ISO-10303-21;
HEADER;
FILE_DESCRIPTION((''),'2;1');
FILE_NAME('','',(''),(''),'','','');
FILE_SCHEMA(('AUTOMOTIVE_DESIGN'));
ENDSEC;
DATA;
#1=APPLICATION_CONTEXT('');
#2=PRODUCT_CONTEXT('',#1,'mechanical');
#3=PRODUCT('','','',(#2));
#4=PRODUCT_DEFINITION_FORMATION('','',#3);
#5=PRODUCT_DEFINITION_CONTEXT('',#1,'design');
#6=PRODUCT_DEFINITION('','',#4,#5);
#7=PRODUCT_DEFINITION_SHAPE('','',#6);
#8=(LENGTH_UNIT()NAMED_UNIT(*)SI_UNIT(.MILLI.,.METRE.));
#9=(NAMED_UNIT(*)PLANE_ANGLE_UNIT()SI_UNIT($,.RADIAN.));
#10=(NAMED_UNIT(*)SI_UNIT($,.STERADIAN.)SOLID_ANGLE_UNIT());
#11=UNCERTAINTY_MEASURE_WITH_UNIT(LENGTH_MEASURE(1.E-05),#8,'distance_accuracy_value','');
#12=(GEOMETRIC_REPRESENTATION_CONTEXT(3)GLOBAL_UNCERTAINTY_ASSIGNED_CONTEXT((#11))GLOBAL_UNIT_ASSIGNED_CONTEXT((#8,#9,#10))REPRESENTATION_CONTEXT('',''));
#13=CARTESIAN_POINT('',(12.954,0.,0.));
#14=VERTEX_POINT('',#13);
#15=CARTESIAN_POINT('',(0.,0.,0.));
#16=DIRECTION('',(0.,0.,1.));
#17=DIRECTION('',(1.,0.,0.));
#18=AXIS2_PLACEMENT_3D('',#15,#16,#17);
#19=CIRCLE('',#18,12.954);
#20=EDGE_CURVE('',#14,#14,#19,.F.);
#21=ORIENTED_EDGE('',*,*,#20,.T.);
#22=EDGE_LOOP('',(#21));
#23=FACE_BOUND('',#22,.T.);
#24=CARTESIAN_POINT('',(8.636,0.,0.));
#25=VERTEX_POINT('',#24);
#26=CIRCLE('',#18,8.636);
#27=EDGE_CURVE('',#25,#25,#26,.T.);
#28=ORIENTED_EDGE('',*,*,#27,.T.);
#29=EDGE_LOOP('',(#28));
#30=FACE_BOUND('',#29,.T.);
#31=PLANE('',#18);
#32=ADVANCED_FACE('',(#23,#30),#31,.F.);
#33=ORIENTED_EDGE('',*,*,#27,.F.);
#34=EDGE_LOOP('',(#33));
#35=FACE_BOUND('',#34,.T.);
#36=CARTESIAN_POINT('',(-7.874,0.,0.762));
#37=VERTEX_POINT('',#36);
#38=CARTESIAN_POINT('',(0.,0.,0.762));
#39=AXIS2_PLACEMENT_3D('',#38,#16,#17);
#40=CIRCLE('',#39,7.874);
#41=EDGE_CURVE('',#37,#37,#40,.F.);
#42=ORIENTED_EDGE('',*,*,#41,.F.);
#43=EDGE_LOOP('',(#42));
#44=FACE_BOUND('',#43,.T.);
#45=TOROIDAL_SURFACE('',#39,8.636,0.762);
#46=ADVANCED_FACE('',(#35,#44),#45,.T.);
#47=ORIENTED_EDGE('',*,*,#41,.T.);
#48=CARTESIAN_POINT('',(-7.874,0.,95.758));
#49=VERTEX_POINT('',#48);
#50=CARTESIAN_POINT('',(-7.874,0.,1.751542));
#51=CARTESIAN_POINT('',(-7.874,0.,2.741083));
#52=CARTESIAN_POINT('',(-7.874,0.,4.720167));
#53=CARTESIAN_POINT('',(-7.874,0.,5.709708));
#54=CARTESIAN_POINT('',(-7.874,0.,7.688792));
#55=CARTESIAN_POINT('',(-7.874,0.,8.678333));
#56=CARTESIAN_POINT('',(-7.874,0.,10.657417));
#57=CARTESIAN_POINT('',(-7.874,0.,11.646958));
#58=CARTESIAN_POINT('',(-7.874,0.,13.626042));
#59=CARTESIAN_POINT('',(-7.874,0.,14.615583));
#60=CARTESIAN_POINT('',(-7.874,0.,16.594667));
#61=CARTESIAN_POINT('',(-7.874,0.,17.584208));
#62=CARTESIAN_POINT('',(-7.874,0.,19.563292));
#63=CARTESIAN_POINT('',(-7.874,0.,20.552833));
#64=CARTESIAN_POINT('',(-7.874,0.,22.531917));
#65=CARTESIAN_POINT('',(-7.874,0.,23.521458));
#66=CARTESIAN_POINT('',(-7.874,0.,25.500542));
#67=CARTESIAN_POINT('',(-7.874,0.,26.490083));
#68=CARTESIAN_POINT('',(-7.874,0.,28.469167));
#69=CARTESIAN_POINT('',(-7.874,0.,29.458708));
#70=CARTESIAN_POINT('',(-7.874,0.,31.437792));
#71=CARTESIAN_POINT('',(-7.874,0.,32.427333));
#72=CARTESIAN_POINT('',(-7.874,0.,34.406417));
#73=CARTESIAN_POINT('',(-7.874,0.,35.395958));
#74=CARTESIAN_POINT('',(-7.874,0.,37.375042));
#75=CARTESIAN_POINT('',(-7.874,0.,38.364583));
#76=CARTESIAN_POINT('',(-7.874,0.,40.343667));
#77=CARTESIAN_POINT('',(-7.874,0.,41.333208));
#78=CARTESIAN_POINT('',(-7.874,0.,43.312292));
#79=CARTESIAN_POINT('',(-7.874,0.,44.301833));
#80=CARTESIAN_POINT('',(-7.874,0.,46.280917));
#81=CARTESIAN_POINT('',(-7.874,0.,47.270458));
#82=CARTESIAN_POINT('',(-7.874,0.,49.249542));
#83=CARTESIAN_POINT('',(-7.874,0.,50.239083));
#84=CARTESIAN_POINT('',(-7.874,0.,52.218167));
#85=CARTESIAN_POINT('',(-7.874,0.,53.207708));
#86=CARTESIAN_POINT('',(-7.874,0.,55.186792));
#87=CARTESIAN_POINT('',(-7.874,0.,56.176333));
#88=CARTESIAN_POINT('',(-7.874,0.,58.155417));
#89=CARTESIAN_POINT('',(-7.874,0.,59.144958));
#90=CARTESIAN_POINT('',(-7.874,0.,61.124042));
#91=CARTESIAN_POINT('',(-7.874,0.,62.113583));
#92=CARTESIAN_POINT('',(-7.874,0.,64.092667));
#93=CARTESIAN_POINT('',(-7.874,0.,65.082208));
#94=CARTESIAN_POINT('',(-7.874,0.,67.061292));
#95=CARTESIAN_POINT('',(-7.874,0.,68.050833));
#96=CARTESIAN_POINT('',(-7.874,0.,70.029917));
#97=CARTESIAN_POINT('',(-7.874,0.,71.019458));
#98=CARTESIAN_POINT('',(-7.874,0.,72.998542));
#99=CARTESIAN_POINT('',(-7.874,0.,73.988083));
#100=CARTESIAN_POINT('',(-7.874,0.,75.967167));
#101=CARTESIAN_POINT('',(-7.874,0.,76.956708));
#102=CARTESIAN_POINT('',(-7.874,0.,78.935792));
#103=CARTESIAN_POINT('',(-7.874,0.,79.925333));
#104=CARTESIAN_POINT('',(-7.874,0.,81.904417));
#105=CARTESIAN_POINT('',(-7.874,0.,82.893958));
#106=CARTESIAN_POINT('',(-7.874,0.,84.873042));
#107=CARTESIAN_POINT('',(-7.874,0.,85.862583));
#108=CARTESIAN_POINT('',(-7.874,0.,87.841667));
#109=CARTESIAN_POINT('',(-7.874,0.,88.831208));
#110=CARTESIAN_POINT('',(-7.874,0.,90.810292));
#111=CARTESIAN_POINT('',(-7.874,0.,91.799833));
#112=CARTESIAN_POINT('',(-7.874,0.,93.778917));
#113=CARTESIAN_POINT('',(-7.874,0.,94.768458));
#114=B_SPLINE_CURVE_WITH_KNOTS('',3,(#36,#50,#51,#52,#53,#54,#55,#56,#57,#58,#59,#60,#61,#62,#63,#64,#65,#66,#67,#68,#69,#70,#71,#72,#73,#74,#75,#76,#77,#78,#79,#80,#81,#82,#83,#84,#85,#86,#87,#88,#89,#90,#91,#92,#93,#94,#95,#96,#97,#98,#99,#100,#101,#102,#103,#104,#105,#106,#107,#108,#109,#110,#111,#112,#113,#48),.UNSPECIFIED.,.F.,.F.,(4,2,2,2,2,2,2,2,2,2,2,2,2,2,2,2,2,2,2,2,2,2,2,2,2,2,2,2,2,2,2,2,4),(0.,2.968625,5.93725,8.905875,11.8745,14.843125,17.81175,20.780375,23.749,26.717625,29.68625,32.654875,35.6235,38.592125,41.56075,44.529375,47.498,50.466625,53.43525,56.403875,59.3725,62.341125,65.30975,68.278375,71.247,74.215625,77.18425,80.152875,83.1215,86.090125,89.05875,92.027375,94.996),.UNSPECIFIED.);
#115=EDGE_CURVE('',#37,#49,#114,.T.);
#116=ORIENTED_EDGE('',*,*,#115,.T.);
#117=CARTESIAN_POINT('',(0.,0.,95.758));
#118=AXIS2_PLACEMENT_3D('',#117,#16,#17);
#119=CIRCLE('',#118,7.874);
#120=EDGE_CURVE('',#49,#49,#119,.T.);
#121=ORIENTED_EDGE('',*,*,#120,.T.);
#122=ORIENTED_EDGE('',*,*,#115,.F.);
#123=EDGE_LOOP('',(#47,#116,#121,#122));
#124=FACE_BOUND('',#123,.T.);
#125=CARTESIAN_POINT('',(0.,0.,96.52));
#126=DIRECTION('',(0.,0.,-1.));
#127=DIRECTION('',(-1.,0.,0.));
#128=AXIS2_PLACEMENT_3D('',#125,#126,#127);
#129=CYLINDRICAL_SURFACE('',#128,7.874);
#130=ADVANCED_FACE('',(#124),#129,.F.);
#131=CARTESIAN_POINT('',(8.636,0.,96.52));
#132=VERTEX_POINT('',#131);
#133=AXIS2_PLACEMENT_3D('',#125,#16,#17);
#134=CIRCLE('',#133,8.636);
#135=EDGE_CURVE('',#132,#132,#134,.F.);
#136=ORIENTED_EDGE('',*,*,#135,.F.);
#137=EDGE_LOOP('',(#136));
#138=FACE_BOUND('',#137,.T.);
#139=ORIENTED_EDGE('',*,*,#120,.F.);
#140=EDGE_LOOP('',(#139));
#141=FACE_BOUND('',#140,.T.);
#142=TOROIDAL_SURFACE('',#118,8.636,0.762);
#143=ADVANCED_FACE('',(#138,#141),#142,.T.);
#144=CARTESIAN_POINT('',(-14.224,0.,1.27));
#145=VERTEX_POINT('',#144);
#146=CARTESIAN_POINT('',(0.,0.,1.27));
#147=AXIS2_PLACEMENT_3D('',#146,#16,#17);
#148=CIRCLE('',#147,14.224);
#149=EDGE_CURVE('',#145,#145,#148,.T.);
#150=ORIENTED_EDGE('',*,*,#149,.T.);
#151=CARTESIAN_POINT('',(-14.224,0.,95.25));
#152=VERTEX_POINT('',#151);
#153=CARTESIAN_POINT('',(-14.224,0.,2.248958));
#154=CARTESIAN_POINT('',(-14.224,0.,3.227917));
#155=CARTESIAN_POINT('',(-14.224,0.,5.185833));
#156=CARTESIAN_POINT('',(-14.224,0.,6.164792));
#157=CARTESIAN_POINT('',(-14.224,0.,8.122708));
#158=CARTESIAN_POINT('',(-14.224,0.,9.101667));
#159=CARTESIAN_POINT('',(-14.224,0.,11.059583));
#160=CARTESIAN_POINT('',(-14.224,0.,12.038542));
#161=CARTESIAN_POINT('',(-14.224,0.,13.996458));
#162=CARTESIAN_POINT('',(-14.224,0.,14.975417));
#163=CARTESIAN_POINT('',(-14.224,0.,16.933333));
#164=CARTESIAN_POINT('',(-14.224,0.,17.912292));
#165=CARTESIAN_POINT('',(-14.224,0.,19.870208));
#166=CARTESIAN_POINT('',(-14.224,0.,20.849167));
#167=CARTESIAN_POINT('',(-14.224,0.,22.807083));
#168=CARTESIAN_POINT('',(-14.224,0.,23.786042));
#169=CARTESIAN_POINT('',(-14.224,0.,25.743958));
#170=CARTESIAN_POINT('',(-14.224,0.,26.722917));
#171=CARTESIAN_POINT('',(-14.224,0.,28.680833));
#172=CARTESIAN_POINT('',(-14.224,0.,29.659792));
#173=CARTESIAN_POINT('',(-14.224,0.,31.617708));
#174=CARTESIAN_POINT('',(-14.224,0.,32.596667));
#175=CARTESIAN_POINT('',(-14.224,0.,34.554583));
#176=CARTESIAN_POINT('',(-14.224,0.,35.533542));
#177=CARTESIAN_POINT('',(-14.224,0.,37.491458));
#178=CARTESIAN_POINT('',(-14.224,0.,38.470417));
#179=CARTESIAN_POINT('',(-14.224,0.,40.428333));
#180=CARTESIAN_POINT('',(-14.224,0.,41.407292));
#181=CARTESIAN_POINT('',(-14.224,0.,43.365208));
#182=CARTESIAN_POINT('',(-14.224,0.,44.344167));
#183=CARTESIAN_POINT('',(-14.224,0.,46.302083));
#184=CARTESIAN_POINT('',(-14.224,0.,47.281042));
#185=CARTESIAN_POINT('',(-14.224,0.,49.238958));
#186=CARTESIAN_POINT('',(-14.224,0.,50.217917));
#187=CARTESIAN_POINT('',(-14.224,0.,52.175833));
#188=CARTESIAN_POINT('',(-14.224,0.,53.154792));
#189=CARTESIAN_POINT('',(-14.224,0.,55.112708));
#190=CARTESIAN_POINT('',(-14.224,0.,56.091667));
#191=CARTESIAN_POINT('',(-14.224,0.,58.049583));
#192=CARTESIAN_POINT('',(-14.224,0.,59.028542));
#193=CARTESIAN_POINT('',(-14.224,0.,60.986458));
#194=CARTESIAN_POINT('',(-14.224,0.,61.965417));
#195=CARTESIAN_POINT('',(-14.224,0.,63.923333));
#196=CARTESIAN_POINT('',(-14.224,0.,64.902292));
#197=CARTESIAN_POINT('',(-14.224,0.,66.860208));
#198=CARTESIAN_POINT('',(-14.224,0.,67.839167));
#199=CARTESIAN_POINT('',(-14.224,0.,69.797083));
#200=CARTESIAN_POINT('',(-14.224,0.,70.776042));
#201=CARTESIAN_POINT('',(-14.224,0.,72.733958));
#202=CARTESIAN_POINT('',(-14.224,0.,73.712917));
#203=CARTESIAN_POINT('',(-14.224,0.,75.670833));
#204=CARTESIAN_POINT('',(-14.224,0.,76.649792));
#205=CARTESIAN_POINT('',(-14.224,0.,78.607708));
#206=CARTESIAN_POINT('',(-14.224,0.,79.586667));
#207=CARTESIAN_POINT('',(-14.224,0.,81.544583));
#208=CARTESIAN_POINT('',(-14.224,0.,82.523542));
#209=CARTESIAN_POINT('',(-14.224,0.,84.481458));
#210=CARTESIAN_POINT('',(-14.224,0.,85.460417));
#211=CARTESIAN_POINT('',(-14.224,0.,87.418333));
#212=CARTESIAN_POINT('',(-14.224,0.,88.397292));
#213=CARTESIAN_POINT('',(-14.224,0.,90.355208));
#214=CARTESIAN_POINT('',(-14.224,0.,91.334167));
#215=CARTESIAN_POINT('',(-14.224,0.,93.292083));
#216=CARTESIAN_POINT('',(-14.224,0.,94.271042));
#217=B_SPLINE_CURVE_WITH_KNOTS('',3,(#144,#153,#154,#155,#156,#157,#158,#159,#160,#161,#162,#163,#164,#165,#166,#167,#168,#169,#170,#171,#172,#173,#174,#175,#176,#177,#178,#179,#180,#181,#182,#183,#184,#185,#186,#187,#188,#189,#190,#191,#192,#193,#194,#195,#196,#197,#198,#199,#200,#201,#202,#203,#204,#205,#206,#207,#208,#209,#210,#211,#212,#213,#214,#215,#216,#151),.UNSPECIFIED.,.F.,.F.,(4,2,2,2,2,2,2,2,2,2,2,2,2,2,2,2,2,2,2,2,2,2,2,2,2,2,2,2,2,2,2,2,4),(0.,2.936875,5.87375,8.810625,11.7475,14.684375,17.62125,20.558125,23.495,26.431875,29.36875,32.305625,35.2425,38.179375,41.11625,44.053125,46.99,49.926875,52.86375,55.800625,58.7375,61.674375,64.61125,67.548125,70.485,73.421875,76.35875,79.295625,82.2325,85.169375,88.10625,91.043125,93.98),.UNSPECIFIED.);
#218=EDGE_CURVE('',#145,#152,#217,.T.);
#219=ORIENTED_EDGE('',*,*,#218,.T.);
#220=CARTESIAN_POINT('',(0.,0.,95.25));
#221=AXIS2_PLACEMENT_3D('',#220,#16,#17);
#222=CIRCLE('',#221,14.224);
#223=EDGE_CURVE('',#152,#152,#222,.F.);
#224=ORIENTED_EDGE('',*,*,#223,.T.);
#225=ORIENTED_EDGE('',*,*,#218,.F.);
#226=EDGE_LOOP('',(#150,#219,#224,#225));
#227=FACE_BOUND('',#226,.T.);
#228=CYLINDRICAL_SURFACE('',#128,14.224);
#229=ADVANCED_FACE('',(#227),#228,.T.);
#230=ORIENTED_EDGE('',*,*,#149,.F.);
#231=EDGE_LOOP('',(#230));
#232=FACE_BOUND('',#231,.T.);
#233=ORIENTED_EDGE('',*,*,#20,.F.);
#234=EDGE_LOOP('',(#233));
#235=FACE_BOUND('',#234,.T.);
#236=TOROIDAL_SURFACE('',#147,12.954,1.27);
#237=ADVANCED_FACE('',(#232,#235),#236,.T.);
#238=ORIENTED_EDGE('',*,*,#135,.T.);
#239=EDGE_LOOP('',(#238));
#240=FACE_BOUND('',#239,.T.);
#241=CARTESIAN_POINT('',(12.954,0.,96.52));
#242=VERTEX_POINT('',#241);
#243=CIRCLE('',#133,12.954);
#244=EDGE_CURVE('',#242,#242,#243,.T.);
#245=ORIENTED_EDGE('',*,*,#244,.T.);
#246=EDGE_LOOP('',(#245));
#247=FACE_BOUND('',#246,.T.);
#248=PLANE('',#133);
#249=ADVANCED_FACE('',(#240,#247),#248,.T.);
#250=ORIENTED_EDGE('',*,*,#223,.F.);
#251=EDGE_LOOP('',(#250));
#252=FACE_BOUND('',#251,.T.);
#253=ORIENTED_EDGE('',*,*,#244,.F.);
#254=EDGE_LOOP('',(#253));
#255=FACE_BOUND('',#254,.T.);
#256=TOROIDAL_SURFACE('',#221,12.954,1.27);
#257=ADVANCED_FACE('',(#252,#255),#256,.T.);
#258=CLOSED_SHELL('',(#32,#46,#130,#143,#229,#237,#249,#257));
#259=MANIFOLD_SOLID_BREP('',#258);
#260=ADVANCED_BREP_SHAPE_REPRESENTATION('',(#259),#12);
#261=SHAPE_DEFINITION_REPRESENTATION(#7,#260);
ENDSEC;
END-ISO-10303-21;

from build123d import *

# Parameters (mm, degrees)
SKETCH1_R           = 14.224
SKETCH1_R_2         = 7.874
BOSS_EXTRUDE1_DEPTH = 96.52
FILLET1_R           = 1.27
FILLET2_R           = 0.762


with BuildPart() as part:
    # Sketch1 → Boss-Extrude1 (new body)
    with BuildSketch(Plane.XY):
        with Locations(Location((0, 0, 0), (0, 0, 180))):
            Circle(SKETCH1_R)
        with Locations(Location((0, 0, 0), (0, 0, 180))):
            Circle(SKETCH1_R_2, mode=Mode.SUBTRACT)
    extrude(amount=BOSS_EXTRUDE1_DEPTH)

    # Fillet1
    fillet1_edges = [part.edges().sort_by_distance(p)[0] for p in [
        (14.224, 0, 0),
        (14.224, 0, 96.52),
    ]]
    fillet(fillet1_edges, radius=FILLET1_R)

    # Fillet2
    fillet2_edges = [part.edges().sort_by_distance(p)[0] for p in [
        (7.874, 0, 0),
        (7.874, 0, 96.52),
    ]]
    fillet(fillet2_edges, radius=FILLET2_R)


solid = part.part
